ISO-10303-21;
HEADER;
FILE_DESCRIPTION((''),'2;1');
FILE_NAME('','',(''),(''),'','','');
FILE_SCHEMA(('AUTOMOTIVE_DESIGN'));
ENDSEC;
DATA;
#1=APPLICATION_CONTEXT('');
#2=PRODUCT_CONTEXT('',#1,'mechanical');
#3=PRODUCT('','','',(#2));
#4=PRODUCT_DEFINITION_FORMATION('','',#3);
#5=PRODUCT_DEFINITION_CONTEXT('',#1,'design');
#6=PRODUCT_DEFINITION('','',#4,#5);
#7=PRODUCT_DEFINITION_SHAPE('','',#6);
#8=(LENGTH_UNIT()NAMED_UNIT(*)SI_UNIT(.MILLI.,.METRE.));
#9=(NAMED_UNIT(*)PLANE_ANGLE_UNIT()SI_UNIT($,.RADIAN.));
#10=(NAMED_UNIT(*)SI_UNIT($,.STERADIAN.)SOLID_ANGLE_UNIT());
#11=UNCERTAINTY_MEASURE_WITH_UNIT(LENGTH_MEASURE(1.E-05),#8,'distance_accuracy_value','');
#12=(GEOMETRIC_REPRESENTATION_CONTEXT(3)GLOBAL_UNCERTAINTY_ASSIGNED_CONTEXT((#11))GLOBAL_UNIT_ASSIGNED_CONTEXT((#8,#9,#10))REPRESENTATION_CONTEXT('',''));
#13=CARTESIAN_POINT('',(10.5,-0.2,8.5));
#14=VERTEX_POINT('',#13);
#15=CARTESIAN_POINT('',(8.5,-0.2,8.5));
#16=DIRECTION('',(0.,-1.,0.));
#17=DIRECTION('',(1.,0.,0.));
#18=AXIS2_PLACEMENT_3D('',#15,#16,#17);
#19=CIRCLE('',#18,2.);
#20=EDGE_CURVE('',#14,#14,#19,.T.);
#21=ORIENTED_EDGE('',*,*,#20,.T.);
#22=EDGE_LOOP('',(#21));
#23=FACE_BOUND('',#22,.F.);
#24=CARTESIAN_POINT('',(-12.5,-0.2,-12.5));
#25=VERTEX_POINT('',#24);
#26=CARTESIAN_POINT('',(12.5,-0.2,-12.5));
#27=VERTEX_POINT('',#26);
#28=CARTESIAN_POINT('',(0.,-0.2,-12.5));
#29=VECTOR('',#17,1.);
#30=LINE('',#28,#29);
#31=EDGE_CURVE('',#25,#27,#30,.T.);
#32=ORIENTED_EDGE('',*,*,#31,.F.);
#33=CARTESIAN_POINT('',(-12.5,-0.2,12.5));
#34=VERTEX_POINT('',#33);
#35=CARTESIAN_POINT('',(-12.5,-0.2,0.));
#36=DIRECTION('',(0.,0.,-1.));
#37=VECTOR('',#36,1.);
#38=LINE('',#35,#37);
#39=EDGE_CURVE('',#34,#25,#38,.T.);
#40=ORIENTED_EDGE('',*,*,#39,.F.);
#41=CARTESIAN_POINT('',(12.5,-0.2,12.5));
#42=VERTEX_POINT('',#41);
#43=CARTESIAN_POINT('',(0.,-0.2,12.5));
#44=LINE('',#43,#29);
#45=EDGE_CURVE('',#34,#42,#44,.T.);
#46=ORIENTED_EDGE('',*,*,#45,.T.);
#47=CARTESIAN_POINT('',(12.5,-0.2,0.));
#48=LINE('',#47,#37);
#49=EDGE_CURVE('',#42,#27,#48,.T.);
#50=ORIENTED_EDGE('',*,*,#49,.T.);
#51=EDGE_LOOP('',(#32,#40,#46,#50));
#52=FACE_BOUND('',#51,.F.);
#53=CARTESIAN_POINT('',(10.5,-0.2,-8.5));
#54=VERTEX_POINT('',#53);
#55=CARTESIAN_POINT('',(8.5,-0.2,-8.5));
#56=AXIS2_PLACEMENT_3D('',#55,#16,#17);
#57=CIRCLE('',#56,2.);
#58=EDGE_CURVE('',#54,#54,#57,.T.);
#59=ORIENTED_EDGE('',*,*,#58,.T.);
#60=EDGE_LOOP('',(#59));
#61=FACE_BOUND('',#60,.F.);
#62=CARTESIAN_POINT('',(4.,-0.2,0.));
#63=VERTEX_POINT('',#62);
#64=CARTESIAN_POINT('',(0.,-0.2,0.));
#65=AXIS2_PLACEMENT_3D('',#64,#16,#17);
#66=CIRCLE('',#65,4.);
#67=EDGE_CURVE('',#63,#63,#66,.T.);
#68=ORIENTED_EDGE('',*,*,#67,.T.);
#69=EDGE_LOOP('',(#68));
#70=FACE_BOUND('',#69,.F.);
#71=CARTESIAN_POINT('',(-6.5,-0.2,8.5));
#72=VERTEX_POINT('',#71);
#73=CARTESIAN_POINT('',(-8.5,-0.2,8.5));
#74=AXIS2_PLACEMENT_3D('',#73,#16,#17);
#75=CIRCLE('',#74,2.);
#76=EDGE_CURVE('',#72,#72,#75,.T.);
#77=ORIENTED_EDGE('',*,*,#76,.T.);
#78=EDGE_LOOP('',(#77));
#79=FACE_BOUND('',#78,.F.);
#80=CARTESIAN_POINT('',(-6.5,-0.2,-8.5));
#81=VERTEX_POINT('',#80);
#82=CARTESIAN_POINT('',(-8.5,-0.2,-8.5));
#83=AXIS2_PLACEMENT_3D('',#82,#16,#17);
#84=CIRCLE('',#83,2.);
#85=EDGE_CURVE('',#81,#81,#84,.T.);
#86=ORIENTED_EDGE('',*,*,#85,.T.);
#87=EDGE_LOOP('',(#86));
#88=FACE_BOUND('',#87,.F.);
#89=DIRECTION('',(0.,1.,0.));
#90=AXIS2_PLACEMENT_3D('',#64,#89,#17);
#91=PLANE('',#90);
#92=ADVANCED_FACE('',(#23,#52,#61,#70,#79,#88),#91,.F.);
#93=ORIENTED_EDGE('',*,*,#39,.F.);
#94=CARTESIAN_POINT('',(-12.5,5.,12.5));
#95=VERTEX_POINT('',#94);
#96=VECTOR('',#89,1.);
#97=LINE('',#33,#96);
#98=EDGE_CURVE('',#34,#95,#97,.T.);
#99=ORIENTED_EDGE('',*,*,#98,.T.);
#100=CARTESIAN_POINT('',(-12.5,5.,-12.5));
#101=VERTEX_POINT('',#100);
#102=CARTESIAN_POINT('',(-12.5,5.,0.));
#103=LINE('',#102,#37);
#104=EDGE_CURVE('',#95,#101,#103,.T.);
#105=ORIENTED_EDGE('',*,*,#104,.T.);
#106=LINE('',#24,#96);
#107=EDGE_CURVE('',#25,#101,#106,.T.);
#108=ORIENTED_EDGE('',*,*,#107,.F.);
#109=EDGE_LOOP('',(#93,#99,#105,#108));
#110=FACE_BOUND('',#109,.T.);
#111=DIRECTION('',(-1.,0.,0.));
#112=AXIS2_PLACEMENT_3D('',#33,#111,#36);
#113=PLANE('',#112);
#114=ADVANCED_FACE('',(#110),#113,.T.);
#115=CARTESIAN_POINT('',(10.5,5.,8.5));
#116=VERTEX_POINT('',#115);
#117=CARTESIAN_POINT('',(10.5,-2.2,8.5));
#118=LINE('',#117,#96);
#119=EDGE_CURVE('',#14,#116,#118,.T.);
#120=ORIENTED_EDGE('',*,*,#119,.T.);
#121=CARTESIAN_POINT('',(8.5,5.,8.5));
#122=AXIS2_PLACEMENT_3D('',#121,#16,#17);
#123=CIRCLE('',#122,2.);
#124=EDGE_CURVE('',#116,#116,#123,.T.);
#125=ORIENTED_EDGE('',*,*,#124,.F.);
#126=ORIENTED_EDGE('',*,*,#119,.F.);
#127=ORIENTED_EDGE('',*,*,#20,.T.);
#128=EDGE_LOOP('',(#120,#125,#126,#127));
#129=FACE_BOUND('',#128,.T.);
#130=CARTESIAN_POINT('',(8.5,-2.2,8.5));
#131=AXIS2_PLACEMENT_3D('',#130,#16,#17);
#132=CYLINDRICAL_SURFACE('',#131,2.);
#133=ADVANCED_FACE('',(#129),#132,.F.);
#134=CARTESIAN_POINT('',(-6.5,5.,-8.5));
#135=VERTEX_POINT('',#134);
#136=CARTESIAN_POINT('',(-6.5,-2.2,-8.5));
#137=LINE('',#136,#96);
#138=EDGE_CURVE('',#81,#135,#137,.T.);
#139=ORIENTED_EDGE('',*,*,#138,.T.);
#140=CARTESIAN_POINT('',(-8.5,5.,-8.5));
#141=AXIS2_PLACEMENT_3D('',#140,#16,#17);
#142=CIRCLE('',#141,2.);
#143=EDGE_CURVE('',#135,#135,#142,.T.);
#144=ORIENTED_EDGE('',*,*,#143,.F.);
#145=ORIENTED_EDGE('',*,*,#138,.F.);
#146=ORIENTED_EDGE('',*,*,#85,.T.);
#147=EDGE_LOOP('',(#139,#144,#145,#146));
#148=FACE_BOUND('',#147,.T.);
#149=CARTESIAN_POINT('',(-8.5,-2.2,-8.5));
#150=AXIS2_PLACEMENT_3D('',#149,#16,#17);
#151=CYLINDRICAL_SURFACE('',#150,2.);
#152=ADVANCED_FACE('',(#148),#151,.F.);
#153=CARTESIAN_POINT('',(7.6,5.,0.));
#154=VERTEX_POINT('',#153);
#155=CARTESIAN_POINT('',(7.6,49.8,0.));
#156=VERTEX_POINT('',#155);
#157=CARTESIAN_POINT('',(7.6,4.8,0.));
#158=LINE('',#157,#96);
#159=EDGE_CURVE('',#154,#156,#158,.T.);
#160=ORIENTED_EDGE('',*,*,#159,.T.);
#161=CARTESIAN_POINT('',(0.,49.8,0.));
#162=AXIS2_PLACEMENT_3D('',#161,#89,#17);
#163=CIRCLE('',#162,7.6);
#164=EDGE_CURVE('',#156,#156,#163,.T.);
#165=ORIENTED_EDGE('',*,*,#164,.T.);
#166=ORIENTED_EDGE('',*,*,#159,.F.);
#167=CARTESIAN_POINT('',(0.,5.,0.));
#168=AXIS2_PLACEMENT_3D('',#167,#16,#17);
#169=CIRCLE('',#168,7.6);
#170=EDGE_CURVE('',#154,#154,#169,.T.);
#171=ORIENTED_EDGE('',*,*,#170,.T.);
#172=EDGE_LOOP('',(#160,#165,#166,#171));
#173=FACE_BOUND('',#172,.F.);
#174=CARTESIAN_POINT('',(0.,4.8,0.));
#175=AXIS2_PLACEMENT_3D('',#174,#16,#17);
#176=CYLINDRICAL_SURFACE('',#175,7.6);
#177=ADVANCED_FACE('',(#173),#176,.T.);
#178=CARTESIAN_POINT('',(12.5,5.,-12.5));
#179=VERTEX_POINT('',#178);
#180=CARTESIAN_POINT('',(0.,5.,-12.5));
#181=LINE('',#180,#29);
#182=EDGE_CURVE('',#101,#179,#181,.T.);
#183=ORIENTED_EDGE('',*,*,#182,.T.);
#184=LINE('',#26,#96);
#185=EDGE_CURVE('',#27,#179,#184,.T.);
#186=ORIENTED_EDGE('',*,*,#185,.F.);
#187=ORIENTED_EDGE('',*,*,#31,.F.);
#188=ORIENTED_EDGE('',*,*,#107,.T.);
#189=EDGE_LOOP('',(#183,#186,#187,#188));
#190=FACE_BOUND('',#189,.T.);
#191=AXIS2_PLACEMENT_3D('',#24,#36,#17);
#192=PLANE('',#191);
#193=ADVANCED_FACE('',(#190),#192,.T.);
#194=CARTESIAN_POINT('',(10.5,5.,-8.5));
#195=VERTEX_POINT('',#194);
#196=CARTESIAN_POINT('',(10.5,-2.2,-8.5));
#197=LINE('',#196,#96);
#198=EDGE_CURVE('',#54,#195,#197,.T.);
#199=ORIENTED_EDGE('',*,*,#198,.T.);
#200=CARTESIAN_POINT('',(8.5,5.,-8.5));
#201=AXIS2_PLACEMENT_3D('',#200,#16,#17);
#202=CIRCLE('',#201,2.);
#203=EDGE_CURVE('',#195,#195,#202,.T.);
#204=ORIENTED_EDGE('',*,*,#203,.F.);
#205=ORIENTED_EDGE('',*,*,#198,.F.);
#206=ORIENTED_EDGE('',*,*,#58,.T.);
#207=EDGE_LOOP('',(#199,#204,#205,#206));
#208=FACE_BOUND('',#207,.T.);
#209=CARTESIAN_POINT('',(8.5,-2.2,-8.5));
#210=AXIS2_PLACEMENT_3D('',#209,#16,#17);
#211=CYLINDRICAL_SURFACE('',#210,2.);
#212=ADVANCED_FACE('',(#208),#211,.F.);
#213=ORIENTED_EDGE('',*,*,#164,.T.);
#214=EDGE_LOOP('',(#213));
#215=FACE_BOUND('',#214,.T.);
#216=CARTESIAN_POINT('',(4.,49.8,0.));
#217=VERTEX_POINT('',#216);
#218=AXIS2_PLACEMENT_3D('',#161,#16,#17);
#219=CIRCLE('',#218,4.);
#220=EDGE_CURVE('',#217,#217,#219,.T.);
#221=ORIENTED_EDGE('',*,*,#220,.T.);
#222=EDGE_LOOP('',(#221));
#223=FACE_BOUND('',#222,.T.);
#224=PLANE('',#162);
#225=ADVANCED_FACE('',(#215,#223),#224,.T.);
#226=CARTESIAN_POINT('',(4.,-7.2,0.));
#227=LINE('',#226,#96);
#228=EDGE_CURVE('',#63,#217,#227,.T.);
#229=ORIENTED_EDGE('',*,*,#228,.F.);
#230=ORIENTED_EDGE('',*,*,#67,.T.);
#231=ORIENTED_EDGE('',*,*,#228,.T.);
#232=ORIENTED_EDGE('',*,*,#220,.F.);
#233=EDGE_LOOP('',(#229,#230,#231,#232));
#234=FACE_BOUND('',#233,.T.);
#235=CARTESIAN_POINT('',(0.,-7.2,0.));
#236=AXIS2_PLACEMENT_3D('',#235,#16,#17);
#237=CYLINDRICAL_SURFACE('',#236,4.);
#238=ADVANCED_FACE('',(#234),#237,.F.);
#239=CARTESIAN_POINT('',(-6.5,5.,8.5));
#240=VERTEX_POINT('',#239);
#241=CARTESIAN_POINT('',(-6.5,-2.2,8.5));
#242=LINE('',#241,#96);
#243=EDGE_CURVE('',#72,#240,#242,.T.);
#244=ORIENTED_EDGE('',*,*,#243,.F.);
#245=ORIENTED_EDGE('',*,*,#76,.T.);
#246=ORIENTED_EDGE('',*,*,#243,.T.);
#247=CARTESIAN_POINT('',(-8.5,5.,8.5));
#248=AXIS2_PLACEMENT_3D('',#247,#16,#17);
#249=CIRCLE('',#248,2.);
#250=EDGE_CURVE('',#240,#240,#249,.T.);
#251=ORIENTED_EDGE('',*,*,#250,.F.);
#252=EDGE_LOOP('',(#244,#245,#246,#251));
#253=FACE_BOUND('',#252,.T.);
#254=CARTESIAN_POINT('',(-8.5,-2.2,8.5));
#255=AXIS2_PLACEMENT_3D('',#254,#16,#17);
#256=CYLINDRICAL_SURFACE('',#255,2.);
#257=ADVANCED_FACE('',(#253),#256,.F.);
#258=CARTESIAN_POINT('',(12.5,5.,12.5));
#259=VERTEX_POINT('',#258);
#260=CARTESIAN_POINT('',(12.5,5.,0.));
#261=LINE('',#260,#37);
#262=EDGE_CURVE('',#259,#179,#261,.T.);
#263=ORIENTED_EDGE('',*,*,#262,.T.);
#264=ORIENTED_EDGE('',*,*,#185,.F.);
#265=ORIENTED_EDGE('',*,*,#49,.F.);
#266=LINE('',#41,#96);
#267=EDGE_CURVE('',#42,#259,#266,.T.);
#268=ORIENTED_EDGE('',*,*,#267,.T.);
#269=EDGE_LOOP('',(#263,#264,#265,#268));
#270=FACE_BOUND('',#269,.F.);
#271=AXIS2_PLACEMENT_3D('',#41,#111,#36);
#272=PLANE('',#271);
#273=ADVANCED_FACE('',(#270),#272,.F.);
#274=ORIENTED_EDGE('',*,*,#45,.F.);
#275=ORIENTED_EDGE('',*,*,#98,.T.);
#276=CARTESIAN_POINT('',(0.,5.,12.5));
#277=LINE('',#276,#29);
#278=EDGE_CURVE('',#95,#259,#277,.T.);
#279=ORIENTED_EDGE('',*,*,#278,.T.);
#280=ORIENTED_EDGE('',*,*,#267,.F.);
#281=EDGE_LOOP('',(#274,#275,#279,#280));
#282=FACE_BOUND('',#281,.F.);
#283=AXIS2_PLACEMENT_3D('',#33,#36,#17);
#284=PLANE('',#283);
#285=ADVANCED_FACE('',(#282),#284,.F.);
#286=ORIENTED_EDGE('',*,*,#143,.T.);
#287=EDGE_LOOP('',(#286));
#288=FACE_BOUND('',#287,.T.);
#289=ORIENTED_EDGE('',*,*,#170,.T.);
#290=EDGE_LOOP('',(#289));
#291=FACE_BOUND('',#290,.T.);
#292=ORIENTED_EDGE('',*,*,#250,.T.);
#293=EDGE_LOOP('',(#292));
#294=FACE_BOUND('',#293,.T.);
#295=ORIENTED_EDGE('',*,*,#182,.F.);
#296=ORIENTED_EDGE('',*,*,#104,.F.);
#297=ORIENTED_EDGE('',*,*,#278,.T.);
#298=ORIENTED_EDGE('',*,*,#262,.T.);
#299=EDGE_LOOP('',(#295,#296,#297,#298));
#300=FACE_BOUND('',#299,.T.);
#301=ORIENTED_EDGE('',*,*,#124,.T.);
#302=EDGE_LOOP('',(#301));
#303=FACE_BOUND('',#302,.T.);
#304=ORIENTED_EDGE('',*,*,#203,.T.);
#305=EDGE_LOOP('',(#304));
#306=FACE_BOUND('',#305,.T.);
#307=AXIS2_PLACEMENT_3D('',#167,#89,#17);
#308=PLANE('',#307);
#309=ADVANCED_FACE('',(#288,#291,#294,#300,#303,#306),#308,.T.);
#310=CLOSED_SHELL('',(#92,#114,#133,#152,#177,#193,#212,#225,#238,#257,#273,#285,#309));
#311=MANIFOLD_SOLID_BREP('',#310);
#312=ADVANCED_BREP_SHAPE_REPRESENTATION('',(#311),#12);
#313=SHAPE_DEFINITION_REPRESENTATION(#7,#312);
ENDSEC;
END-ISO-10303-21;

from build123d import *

# Parameters (mm, degrees)
CYLINDER006_R          = 2
CYLINDER006_DEPTH      = 10
CYLINDER007_R          = 2
CYLINDER007_DEPTH      = 10
CYLINDER005_R          = 2
CYLINDER005_DEPTH      = 10
CYLINDER004_R          = 2
CYLINDER004_DEPTH      = 10
CYLINDER003_R          = 4
CYLINDER003_DEPTH      = 60
CYLINDER002_R          = 7.6
CYLINDER002_DEPTH      = 45
BOX_W                  = 25
BOX_H                  = 25
BOX_DEPTH              = 5.2
CUT004_PLACEMENT_ANGLE = 90


with BuildPart() as cylinder006:
    # Cylinder006 → Cylinder006 (new body)
    with BuildSketch(Plane(origin=(21, 21, -2), x_dir=(1, 0, 0), z_dir=(0, 0, 1))):
        Circle(CYLINDER006_R)
    extrude(amount=CYLINDER006_DEPTH)


with BuildPart() as cylinder007:
    # Cylinder007 → Cylinder007 (new body)
    with BuildSketch(Plane(origin=(21, 4, -2), x_dir=(1, 0, 0), z_dir=(0, 0, 1))):
        Circle(CYLINDER007_R)
    extrude(amount=CYLINDER007_DEPTH)


with BuildPart() as cylinder005:
    # Cylinder005 → Cylinder005 (new body)
    with BuildSketch(Plane(origin=(4, 21, -2), x_dir=(1, 0, 0), z_dir=(0, 0, 1))):
        Circle(CYLINDER005_R)
    extrude(amount=CYLINDER005_DEPTH)


with BuildPart() as cylinder004:
    # Cylinder004 → Cylinder004 (new body)
    with BuildSketch(Plane(origin=(4, 4, -2), x_dir=(1, 0, 0), z_dir=(0, 0, 1))):
        Circle(CYLINDER004_R)
    extrude(amount=CYLINDER004_DEPTH)


with BuildPart() as cylinder003:
    # Cylinder003 → Cylinder003 (new body)
    with BuildSketch(Plane(origin=(12.5, 12.5, -7), x_dir=(1, 0, 0), z_dir=(0, 0, 1))):
        Circle(CYLINDER003_R)
    extrude(amount=CYLINDER003_DEPTH)


with BuildPart() as cylinder002:
    # Cylinder002 → Cylinder002 (new body)
    with BuildSketch(Plane(origin=(12.5, 12.5, 5), x_dir=(1, 0, 0), z_dir=(0, 0, 1))):
        Circle(CYLINDER002_R)
    extrude(amount=CYLINDER002_DEPTH)


with BuildPart() as cut004:
    # Box → Box (new body)
    with BuildSketch(Plane.XY):
        with Locations((12.5, 12.5)):
            Rectangle(BOX_W, BOX_H)
    extrude(amount=BOX_DEPTH)

    # Fusion: union Cylinder002
    add(cylinder002.part)

    # Cut: cut Cylinder003
    add(cylinder003.part, mode=Mode.SUBTRACT)

    # Cut001: cut Cylinder004
    add(cylinder004.part, mode=Mode.SUBTRACT)

    # Cut002: cut Cylinder005
    add(cylinder005.part, mode=Mode.SUBTRACT)

    # Cut003: cut Cylinder007
    add(cylinder007.part, mode=Mode.SUBTRACT)

    # Cut004: cut Cylinder006
    add(cylinder006.part, mode=Mode.SUBTRACT)


with BuildPart() as cut004_1:
    # Cut004 placement: moved
    add(cut004.part.moved(Location((-12.5, -0.2, 12.5))).rotate(Axis((-12.5, -0.2, 12.5), (-1, 0, 0)), CUT004_PLACEMENT_ANGLE))


solid = cut004_1.part
